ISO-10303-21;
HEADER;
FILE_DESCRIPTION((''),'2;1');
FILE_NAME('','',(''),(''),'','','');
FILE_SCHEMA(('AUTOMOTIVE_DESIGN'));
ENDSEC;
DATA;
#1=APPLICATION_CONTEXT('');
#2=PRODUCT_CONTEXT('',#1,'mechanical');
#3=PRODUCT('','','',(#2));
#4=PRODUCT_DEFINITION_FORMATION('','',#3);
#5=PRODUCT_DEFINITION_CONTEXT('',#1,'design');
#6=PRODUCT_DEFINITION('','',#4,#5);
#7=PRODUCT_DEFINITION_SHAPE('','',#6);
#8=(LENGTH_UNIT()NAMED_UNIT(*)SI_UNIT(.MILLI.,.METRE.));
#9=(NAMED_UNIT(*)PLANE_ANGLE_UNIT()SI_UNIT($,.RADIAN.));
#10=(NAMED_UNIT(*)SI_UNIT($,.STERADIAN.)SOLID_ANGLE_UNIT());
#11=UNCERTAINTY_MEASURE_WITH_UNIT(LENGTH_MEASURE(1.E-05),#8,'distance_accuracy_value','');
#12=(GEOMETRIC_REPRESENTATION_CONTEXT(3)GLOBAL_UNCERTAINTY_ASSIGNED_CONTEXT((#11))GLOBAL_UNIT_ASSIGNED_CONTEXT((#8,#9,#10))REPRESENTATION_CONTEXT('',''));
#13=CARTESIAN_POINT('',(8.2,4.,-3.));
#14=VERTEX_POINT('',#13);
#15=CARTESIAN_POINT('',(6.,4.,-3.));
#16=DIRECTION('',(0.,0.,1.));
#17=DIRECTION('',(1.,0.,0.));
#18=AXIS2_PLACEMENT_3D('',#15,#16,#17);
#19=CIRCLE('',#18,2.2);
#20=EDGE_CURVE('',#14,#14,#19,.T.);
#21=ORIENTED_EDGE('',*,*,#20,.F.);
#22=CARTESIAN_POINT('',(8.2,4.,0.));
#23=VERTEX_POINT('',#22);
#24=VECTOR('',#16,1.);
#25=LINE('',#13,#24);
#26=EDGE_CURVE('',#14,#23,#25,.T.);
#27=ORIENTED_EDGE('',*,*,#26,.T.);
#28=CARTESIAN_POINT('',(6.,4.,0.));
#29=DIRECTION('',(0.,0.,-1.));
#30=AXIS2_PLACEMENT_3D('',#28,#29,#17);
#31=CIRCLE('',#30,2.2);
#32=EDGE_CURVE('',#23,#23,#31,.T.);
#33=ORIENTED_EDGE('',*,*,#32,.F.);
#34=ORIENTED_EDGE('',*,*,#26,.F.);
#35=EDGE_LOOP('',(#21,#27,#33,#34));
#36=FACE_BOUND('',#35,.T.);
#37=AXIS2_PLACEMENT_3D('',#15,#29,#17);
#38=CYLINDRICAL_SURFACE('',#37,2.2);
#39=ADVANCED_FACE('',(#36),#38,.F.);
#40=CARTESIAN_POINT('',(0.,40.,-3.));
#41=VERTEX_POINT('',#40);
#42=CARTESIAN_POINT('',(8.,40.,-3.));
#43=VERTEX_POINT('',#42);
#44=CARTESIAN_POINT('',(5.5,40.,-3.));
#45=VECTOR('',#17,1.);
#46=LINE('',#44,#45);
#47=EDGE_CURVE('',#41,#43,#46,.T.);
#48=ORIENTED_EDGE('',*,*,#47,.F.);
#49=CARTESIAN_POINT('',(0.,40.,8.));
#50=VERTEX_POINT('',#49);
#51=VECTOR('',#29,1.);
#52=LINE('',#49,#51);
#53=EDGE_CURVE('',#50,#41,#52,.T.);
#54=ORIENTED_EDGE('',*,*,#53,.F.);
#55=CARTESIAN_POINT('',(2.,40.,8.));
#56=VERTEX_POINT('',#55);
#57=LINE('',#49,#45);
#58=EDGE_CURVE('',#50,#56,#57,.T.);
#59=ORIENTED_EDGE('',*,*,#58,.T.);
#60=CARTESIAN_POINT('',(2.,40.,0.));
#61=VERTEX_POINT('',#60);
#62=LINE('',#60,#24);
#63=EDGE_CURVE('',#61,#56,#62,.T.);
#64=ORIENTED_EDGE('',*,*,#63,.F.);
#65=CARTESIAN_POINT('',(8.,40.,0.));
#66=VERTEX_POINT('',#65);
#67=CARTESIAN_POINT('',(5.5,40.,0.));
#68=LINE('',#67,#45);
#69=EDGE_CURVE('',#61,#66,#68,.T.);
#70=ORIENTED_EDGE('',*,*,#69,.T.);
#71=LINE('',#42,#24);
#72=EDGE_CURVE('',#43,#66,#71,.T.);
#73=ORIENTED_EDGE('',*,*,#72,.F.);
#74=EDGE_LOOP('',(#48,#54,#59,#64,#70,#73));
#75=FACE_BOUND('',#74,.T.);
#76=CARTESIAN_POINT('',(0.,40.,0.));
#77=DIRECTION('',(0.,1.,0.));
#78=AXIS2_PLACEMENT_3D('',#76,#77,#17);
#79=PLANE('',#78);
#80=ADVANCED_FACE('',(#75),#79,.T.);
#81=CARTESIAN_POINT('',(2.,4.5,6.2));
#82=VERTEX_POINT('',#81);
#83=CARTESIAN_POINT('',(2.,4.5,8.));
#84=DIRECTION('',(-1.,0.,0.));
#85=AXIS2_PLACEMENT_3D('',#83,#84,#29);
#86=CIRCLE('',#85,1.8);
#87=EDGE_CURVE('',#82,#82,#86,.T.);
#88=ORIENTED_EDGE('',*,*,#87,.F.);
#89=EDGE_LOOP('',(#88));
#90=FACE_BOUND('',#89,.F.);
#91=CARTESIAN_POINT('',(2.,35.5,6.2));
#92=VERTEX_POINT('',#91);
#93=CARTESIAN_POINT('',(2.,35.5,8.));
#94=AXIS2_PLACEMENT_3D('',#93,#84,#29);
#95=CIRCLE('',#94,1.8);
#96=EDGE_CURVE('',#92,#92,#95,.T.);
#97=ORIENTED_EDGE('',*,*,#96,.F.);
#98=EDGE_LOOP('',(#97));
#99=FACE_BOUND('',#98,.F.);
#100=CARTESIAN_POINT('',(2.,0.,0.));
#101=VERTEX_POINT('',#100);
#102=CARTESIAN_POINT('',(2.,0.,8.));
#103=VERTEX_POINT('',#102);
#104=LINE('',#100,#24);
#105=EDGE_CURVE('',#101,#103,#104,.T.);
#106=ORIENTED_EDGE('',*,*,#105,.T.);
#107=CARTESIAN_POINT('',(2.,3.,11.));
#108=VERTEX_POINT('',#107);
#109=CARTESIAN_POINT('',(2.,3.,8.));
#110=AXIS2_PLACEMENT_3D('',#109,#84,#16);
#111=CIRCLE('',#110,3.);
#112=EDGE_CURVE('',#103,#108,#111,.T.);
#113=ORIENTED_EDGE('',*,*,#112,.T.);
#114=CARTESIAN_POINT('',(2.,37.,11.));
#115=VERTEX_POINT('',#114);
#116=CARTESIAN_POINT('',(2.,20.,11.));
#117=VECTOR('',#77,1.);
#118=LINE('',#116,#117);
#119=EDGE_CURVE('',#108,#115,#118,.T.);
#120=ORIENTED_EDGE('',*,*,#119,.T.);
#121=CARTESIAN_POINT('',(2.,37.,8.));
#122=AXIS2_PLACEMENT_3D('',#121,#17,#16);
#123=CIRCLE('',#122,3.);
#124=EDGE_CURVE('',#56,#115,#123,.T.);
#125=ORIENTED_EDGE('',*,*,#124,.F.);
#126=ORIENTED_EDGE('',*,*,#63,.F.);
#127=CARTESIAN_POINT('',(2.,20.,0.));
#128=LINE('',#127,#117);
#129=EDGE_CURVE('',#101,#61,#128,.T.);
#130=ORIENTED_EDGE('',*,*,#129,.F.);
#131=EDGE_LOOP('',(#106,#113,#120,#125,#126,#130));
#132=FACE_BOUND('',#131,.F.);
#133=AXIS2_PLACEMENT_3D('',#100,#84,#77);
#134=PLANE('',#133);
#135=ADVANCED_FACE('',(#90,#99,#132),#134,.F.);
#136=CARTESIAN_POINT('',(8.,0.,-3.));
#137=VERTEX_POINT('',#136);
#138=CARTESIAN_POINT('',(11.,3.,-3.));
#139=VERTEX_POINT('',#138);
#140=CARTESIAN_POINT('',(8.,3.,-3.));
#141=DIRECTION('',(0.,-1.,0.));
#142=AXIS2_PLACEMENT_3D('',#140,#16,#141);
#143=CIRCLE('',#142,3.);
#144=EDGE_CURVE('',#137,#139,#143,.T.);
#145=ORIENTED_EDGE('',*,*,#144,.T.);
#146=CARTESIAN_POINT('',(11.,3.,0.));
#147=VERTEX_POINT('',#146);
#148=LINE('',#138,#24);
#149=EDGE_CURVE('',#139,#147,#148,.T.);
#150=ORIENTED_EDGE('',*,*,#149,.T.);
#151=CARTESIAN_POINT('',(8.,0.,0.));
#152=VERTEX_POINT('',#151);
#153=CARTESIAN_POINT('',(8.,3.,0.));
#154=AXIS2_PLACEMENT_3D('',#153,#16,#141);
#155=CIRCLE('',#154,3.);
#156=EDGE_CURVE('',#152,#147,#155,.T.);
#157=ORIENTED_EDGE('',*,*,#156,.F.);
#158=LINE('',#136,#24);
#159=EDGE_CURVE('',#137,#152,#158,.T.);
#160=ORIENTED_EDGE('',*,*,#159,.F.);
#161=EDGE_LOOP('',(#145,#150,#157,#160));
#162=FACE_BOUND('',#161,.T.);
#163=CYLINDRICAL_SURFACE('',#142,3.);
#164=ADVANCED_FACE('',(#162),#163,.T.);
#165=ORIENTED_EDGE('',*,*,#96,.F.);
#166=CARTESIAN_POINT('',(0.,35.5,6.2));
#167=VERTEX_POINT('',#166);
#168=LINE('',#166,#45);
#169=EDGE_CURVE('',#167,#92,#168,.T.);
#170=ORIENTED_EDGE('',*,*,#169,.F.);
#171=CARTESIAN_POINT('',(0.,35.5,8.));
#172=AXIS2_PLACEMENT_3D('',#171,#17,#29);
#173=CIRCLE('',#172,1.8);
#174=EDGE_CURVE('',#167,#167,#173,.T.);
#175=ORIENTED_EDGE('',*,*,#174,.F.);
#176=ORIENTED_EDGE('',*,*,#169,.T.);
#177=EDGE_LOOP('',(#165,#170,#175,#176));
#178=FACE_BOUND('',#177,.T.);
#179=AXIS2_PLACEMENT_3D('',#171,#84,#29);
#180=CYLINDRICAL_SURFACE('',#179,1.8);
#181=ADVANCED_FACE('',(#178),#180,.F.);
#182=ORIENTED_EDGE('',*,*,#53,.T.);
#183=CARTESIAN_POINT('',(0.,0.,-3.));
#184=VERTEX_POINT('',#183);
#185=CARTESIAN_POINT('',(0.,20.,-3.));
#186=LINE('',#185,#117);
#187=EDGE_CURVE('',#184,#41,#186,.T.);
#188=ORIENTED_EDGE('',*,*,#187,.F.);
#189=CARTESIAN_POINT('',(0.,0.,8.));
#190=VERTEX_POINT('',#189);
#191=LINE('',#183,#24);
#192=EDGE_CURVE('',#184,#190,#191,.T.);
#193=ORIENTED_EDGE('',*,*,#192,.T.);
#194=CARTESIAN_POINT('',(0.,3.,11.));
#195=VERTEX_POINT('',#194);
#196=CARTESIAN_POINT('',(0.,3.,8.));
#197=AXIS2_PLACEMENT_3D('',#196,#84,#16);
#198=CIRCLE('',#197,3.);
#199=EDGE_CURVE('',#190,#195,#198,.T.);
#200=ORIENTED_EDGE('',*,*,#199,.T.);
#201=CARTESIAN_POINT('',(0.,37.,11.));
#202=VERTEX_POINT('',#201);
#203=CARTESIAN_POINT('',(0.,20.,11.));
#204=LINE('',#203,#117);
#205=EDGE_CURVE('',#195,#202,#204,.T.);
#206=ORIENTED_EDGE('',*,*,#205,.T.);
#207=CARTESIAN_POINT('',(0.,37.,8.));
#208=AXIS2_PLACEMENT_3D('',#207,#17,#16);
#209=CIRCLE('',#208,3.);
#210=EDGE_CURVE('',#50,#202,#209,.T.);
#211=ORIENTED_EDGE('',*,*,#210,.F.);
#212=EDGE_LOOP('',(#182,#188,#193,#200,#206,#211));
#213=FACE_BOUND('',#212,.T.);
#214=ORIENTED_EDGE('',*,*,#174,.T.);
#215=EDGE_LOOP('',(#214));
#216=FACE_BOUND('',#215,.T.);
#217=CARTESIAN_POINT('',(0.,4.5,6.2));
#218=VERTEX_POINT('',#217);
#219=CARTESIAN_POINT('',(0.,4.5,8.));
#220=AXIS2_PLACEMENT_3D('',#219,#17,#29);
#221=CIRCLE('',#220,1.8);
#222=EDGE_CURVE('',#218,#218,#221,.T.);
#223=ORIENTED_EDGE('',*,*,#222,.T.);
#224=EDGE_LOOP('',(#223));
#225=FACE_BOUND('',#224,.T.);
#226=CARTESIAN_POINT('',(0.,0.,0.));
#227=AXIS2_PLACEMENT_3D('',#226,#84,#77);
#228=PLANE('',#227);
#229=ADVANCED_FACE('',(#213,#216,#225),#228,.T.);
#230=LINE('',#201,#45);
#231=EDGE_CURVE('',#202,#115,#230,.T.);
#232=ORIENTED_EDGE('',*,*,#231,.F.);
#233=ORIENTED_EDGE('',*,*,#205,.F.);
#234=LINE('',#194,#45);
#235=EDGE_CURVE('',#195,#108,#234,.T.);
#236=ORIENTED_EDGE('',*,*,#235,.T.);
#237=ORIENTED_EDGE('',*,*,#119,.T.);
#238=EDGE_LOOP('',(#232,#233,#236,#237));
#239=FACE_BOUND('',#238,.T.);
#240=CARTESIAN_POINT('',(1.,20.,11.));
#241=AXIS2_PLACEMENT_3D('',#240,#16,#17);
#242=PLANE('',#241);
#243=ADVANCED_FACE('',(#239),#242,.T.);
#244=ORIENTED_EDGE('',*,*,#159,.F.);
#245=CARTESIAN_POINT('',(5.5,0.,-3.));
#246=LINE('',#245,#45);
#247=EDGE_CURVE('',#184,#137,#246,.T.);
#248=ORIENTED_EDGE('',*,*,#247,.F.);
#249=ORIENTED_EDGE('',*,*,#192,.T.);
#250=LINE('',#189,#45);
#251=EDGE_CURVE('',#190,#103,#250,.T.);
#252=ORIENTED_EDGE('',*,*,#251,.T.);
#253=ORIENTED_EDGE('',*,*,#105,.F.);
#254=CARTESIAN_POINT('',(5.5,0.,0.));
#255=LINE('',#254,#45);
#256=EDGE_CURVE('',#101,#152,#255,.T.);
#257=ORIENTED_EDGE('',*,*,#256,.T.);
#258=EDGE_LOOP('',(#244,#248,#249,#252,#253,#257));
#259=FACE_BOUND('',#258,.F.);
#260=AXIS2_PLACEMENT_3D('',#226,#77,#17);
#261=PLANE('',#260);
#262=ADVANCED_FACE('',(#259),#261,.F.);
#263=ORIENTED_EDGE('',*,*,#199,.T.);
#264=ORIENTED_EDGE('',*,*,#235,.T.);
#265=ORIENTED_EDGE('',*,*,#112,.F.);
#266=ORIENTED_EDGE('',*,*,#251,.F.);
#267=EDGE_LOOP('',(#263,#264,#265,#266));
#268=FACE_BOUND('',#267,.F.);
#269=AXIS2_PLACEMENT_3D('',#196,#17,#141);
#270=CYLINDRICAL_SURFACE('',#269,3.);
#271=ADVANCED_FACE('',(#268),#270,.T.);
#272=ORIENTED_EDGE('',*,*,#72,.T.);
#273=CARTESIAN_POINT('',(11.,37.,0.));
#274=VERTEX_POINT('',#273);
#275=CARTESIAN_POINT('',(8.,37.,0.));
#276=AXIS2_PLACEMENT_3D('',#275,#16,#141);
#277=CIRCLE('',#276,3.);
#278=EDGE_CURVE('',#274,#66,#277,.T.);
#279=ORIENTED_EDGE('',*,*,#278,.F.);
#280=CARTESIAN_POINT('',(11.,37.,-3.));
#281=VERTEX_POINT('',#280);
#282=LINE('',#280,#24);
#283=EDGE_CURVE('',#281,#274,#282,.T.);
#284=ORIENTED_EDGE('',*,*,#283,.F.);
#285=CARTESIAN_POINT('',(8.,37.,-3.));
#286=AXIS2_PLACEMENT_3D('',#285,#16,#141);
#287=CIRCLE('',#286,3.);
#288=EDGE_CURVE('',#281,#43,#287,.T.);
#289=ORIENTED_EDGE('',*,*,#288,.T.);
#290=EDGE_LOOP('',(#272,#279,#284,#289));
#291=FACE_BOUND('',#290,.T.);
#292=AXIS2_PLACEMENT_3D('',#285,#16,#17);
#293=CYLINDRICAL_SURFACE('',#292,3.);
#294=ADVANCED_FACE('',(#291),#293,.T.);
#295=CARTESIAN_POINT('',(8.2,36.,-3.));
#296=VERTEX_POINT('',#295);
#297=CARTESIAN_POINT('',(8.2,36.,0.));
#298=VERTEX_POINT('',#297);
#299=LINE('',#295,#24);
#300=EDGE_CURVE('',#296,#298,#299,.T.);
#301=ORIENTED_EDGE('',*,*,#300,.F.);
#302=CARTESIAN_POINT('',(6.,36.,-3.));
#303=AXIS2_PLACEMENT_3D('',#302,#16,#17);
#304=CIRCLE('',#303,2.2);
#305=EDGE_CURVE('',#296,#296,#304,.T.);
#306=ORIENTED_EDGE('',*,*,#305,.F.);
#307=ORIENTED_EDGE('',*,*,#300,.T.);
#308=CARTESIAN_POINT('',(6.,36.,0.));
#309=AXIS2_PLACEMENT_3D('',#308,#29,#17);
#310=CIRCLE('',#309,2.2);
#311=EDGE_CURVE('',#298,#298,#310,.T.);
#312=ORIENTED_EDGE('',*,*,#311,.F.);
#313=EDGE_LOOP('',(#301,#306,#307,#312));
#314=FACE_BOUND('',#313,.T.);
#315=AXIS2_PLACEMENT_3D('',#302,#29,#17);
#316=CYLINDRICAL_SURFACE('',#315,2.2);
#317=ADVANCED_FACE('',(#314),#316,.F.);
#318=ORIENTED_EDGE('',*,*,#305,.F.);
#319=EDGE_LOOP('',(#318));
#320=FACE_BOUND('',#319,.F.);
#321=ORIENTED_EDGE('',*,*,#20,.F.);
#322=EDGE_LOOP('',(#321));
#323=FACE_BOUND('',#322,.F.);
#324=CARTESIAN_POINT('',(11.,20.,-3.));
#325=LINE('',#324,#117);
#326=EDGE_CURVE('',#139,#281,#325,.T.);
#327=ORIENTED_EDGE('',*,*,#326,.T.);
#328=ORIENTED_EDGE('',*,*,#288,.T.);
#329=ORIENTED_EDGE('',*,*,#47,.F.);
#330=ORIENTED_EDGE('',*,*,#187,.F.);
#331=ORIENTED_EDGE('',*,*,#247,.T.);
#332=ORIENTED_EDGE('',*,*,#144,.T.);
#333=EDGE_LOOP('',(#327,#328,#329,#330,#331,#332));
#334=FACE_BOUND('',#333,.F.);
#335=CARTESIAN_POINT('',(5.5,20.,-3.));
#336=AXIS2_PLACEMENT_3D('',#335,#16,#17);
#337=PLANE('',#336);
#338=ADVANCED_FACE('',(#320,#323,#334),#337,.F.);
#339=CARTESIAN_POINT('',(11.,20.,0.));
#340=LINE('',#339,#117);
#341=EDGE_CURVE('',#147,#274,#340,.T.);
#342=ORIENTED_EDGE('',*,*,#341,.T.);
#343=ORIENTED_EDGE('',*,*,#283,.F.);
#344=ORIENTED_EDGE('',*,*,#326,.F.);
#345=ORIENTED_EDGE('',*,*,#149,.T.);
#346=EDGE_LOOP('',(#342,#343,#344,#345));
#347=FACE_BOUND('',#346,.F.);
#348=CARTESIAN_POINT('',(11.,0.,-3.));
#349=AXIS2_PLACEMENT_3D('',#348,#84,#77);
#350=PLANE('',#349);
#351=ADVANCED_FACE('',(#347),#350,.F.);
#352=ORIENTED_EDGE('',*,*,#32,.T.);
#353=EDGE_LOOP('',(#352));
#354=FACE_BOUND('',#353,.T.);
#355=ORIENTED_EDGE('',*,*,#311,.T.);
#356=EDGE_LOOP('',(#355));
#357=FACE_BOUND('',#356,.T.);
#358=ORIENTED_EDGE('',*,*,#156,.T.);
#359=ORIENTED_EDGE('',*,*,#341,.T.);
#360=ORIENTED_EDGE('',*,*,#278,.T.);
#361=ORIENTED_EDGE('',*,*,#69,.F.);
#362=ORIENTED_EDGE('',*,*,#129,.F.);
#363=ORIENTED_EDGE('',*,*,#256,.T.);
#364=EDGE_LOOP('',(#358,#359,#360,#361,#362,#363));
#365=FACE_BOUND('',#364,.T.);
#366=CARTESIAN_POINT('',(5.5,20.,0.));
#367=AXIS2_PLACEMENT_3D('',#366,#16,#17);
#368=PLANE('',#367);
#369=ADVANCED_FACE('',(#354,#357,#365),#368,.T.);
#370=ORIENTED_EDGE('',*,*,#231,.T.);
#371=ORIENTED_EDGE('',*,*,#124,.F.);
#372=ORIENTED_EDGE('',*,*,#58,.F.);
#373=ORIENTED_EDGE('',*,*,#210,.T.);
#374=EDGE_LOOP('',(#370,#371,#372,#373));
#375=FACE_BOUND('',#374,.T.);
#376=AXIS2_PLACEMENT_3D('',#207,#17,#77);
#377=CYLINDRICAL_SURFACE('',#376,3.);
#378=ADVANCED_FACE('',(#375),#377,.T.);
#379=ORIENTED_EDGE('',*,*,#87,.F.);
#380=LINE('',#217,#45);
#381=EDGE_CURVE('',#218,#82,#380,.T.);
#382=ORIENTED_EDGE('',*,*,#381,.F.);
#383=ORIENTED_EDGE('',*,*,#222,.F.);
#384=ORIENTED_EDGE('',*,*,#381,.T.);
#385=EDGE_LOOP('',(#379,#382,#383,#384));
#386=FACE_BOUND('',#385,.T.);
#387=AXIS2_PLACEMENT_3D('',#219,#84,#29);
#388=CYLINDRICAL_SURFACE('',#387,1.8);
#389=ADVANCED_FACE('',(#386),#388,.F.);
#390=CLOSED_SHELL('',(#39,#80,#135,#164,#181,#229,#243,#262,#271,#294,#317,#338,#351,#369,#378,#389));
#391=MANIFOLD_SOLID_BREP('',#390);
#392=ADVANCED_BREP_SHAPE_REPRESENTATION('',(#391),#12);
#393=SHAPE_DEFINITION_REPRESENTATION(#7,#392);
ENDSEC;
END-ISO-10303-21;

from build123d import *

# Parameters (mm, degrees)
CYLINDER001_R         = 2.2
CYLINDER001_DEPTH     = 10
ARRAY001_Y_COUNT      = 2
ARRAY001_Y_PITCH      = 32
CYLINDER_R            = 1.8
CYLINDER_DEPTH        = 10
ARRAY_Y_COUNT         = 2
ARRAY_Y_PITCH         = 31
ARRAY_PLACEMENT_ANGLE = 90
BOX001_W              = 2
BOX001_H              = 40
BOX001_DEPTH          = 11
FILLET001_R           = 3
BOX_W                 = 11
BOX_H                 = 40
BOX_DEPTH             = 3
FILLET_R              = 3


with BuildPart() as pcb_hole_array:
    # Cylinder001 → Cylinder001 (new body)
    with BuildSketch(Plane.XY):
        Circle(CYLINDER001_R)
    extrude(amount=CYLINDER001_DEPTH)

    # Array001 Y: pcb hole array ×2


with BuildPart() as pcb_hole_array_1:
    add(pcb_hole_array.part)
    with Locations(*[(0, i * ARRAY001_Y_PITCH, 0) for i in range(1, ARRAY001_Y_COUNT)]):
        add(pcb_hole_array.part)


with BuildPart() as pcb_hole_array_2:
    # Array001 placement: moved
    add(pcb_hole_array_1.part.moved(Location((6, 4, -3))))


with BuildPart() as fusion:
    # Cylinder → Cylinder (new body)
    with BuildSketch(Plane.XY):
        Circle(CYLINDER_R)
    extrude(amount=CYLINDER_DEPTH)

    # Array Y: Fusion ×2


with BuildPart() as fusion_1:
    add(fusion.part)
    with Locations(*[(0, i * ARRAY_Y_PITCH, 0) for i in range(1, ARRAY_Y_COUNT)]):
        add(fusion.part)


with BuildPart() as fusion_2:
    # Array placement: moved
    add(fusion_1.part.moved(Location((0, 4.5, 8))).rotate(Axis((0, 4.5, 8), (0, 1, 0)), ARRAY_PLACEMENT_ANGLE))

    # Fusion: union pcb hole array
    add(pcb_hole_array_2.part)


with BuildPart() as fillet001:
    # Box001 → Box001 (new body)
    with BuildSketch(Plane.XY):
        with Locations((1, 20)):
            Rectangle(BOX001_W, BOX001_H)
    extrude(amount=BOX001_DEPTH)

    # Fillet001
    fillet001_edges = [fillet001.edges().sort_by_distance(p)[0] for p in [
        (1, 0, 11),
        (1, 40, 11),
    ]]
    fillet(fillet001_edges, radius=FILLET001_R)


with BuildPart() as cut:
    # Box → Box (new body)
    with BuildSketch(Plane.XY.offset(-3)):
        with Locations((5.5, 20)):
            Rectangle(BOX_W, BOX_H)
    extrude(amount=BOX_DEPTH)

    # Fillet
    fillet_edges = [cut.edges().sort_by_distance(p)[0] for p in [
        (11, 0, -1.5),
        (11, 40, -1.5),
    ]]
    fillet(fillet_edges, radius=FILLET_R)

    # Fusion001: union Fillet001
    add(fillet001.part)

    # Cut: cut Fusion
    add(fusion_2.part, mode=Mode.SUBTRACT)


solid = cut.part
